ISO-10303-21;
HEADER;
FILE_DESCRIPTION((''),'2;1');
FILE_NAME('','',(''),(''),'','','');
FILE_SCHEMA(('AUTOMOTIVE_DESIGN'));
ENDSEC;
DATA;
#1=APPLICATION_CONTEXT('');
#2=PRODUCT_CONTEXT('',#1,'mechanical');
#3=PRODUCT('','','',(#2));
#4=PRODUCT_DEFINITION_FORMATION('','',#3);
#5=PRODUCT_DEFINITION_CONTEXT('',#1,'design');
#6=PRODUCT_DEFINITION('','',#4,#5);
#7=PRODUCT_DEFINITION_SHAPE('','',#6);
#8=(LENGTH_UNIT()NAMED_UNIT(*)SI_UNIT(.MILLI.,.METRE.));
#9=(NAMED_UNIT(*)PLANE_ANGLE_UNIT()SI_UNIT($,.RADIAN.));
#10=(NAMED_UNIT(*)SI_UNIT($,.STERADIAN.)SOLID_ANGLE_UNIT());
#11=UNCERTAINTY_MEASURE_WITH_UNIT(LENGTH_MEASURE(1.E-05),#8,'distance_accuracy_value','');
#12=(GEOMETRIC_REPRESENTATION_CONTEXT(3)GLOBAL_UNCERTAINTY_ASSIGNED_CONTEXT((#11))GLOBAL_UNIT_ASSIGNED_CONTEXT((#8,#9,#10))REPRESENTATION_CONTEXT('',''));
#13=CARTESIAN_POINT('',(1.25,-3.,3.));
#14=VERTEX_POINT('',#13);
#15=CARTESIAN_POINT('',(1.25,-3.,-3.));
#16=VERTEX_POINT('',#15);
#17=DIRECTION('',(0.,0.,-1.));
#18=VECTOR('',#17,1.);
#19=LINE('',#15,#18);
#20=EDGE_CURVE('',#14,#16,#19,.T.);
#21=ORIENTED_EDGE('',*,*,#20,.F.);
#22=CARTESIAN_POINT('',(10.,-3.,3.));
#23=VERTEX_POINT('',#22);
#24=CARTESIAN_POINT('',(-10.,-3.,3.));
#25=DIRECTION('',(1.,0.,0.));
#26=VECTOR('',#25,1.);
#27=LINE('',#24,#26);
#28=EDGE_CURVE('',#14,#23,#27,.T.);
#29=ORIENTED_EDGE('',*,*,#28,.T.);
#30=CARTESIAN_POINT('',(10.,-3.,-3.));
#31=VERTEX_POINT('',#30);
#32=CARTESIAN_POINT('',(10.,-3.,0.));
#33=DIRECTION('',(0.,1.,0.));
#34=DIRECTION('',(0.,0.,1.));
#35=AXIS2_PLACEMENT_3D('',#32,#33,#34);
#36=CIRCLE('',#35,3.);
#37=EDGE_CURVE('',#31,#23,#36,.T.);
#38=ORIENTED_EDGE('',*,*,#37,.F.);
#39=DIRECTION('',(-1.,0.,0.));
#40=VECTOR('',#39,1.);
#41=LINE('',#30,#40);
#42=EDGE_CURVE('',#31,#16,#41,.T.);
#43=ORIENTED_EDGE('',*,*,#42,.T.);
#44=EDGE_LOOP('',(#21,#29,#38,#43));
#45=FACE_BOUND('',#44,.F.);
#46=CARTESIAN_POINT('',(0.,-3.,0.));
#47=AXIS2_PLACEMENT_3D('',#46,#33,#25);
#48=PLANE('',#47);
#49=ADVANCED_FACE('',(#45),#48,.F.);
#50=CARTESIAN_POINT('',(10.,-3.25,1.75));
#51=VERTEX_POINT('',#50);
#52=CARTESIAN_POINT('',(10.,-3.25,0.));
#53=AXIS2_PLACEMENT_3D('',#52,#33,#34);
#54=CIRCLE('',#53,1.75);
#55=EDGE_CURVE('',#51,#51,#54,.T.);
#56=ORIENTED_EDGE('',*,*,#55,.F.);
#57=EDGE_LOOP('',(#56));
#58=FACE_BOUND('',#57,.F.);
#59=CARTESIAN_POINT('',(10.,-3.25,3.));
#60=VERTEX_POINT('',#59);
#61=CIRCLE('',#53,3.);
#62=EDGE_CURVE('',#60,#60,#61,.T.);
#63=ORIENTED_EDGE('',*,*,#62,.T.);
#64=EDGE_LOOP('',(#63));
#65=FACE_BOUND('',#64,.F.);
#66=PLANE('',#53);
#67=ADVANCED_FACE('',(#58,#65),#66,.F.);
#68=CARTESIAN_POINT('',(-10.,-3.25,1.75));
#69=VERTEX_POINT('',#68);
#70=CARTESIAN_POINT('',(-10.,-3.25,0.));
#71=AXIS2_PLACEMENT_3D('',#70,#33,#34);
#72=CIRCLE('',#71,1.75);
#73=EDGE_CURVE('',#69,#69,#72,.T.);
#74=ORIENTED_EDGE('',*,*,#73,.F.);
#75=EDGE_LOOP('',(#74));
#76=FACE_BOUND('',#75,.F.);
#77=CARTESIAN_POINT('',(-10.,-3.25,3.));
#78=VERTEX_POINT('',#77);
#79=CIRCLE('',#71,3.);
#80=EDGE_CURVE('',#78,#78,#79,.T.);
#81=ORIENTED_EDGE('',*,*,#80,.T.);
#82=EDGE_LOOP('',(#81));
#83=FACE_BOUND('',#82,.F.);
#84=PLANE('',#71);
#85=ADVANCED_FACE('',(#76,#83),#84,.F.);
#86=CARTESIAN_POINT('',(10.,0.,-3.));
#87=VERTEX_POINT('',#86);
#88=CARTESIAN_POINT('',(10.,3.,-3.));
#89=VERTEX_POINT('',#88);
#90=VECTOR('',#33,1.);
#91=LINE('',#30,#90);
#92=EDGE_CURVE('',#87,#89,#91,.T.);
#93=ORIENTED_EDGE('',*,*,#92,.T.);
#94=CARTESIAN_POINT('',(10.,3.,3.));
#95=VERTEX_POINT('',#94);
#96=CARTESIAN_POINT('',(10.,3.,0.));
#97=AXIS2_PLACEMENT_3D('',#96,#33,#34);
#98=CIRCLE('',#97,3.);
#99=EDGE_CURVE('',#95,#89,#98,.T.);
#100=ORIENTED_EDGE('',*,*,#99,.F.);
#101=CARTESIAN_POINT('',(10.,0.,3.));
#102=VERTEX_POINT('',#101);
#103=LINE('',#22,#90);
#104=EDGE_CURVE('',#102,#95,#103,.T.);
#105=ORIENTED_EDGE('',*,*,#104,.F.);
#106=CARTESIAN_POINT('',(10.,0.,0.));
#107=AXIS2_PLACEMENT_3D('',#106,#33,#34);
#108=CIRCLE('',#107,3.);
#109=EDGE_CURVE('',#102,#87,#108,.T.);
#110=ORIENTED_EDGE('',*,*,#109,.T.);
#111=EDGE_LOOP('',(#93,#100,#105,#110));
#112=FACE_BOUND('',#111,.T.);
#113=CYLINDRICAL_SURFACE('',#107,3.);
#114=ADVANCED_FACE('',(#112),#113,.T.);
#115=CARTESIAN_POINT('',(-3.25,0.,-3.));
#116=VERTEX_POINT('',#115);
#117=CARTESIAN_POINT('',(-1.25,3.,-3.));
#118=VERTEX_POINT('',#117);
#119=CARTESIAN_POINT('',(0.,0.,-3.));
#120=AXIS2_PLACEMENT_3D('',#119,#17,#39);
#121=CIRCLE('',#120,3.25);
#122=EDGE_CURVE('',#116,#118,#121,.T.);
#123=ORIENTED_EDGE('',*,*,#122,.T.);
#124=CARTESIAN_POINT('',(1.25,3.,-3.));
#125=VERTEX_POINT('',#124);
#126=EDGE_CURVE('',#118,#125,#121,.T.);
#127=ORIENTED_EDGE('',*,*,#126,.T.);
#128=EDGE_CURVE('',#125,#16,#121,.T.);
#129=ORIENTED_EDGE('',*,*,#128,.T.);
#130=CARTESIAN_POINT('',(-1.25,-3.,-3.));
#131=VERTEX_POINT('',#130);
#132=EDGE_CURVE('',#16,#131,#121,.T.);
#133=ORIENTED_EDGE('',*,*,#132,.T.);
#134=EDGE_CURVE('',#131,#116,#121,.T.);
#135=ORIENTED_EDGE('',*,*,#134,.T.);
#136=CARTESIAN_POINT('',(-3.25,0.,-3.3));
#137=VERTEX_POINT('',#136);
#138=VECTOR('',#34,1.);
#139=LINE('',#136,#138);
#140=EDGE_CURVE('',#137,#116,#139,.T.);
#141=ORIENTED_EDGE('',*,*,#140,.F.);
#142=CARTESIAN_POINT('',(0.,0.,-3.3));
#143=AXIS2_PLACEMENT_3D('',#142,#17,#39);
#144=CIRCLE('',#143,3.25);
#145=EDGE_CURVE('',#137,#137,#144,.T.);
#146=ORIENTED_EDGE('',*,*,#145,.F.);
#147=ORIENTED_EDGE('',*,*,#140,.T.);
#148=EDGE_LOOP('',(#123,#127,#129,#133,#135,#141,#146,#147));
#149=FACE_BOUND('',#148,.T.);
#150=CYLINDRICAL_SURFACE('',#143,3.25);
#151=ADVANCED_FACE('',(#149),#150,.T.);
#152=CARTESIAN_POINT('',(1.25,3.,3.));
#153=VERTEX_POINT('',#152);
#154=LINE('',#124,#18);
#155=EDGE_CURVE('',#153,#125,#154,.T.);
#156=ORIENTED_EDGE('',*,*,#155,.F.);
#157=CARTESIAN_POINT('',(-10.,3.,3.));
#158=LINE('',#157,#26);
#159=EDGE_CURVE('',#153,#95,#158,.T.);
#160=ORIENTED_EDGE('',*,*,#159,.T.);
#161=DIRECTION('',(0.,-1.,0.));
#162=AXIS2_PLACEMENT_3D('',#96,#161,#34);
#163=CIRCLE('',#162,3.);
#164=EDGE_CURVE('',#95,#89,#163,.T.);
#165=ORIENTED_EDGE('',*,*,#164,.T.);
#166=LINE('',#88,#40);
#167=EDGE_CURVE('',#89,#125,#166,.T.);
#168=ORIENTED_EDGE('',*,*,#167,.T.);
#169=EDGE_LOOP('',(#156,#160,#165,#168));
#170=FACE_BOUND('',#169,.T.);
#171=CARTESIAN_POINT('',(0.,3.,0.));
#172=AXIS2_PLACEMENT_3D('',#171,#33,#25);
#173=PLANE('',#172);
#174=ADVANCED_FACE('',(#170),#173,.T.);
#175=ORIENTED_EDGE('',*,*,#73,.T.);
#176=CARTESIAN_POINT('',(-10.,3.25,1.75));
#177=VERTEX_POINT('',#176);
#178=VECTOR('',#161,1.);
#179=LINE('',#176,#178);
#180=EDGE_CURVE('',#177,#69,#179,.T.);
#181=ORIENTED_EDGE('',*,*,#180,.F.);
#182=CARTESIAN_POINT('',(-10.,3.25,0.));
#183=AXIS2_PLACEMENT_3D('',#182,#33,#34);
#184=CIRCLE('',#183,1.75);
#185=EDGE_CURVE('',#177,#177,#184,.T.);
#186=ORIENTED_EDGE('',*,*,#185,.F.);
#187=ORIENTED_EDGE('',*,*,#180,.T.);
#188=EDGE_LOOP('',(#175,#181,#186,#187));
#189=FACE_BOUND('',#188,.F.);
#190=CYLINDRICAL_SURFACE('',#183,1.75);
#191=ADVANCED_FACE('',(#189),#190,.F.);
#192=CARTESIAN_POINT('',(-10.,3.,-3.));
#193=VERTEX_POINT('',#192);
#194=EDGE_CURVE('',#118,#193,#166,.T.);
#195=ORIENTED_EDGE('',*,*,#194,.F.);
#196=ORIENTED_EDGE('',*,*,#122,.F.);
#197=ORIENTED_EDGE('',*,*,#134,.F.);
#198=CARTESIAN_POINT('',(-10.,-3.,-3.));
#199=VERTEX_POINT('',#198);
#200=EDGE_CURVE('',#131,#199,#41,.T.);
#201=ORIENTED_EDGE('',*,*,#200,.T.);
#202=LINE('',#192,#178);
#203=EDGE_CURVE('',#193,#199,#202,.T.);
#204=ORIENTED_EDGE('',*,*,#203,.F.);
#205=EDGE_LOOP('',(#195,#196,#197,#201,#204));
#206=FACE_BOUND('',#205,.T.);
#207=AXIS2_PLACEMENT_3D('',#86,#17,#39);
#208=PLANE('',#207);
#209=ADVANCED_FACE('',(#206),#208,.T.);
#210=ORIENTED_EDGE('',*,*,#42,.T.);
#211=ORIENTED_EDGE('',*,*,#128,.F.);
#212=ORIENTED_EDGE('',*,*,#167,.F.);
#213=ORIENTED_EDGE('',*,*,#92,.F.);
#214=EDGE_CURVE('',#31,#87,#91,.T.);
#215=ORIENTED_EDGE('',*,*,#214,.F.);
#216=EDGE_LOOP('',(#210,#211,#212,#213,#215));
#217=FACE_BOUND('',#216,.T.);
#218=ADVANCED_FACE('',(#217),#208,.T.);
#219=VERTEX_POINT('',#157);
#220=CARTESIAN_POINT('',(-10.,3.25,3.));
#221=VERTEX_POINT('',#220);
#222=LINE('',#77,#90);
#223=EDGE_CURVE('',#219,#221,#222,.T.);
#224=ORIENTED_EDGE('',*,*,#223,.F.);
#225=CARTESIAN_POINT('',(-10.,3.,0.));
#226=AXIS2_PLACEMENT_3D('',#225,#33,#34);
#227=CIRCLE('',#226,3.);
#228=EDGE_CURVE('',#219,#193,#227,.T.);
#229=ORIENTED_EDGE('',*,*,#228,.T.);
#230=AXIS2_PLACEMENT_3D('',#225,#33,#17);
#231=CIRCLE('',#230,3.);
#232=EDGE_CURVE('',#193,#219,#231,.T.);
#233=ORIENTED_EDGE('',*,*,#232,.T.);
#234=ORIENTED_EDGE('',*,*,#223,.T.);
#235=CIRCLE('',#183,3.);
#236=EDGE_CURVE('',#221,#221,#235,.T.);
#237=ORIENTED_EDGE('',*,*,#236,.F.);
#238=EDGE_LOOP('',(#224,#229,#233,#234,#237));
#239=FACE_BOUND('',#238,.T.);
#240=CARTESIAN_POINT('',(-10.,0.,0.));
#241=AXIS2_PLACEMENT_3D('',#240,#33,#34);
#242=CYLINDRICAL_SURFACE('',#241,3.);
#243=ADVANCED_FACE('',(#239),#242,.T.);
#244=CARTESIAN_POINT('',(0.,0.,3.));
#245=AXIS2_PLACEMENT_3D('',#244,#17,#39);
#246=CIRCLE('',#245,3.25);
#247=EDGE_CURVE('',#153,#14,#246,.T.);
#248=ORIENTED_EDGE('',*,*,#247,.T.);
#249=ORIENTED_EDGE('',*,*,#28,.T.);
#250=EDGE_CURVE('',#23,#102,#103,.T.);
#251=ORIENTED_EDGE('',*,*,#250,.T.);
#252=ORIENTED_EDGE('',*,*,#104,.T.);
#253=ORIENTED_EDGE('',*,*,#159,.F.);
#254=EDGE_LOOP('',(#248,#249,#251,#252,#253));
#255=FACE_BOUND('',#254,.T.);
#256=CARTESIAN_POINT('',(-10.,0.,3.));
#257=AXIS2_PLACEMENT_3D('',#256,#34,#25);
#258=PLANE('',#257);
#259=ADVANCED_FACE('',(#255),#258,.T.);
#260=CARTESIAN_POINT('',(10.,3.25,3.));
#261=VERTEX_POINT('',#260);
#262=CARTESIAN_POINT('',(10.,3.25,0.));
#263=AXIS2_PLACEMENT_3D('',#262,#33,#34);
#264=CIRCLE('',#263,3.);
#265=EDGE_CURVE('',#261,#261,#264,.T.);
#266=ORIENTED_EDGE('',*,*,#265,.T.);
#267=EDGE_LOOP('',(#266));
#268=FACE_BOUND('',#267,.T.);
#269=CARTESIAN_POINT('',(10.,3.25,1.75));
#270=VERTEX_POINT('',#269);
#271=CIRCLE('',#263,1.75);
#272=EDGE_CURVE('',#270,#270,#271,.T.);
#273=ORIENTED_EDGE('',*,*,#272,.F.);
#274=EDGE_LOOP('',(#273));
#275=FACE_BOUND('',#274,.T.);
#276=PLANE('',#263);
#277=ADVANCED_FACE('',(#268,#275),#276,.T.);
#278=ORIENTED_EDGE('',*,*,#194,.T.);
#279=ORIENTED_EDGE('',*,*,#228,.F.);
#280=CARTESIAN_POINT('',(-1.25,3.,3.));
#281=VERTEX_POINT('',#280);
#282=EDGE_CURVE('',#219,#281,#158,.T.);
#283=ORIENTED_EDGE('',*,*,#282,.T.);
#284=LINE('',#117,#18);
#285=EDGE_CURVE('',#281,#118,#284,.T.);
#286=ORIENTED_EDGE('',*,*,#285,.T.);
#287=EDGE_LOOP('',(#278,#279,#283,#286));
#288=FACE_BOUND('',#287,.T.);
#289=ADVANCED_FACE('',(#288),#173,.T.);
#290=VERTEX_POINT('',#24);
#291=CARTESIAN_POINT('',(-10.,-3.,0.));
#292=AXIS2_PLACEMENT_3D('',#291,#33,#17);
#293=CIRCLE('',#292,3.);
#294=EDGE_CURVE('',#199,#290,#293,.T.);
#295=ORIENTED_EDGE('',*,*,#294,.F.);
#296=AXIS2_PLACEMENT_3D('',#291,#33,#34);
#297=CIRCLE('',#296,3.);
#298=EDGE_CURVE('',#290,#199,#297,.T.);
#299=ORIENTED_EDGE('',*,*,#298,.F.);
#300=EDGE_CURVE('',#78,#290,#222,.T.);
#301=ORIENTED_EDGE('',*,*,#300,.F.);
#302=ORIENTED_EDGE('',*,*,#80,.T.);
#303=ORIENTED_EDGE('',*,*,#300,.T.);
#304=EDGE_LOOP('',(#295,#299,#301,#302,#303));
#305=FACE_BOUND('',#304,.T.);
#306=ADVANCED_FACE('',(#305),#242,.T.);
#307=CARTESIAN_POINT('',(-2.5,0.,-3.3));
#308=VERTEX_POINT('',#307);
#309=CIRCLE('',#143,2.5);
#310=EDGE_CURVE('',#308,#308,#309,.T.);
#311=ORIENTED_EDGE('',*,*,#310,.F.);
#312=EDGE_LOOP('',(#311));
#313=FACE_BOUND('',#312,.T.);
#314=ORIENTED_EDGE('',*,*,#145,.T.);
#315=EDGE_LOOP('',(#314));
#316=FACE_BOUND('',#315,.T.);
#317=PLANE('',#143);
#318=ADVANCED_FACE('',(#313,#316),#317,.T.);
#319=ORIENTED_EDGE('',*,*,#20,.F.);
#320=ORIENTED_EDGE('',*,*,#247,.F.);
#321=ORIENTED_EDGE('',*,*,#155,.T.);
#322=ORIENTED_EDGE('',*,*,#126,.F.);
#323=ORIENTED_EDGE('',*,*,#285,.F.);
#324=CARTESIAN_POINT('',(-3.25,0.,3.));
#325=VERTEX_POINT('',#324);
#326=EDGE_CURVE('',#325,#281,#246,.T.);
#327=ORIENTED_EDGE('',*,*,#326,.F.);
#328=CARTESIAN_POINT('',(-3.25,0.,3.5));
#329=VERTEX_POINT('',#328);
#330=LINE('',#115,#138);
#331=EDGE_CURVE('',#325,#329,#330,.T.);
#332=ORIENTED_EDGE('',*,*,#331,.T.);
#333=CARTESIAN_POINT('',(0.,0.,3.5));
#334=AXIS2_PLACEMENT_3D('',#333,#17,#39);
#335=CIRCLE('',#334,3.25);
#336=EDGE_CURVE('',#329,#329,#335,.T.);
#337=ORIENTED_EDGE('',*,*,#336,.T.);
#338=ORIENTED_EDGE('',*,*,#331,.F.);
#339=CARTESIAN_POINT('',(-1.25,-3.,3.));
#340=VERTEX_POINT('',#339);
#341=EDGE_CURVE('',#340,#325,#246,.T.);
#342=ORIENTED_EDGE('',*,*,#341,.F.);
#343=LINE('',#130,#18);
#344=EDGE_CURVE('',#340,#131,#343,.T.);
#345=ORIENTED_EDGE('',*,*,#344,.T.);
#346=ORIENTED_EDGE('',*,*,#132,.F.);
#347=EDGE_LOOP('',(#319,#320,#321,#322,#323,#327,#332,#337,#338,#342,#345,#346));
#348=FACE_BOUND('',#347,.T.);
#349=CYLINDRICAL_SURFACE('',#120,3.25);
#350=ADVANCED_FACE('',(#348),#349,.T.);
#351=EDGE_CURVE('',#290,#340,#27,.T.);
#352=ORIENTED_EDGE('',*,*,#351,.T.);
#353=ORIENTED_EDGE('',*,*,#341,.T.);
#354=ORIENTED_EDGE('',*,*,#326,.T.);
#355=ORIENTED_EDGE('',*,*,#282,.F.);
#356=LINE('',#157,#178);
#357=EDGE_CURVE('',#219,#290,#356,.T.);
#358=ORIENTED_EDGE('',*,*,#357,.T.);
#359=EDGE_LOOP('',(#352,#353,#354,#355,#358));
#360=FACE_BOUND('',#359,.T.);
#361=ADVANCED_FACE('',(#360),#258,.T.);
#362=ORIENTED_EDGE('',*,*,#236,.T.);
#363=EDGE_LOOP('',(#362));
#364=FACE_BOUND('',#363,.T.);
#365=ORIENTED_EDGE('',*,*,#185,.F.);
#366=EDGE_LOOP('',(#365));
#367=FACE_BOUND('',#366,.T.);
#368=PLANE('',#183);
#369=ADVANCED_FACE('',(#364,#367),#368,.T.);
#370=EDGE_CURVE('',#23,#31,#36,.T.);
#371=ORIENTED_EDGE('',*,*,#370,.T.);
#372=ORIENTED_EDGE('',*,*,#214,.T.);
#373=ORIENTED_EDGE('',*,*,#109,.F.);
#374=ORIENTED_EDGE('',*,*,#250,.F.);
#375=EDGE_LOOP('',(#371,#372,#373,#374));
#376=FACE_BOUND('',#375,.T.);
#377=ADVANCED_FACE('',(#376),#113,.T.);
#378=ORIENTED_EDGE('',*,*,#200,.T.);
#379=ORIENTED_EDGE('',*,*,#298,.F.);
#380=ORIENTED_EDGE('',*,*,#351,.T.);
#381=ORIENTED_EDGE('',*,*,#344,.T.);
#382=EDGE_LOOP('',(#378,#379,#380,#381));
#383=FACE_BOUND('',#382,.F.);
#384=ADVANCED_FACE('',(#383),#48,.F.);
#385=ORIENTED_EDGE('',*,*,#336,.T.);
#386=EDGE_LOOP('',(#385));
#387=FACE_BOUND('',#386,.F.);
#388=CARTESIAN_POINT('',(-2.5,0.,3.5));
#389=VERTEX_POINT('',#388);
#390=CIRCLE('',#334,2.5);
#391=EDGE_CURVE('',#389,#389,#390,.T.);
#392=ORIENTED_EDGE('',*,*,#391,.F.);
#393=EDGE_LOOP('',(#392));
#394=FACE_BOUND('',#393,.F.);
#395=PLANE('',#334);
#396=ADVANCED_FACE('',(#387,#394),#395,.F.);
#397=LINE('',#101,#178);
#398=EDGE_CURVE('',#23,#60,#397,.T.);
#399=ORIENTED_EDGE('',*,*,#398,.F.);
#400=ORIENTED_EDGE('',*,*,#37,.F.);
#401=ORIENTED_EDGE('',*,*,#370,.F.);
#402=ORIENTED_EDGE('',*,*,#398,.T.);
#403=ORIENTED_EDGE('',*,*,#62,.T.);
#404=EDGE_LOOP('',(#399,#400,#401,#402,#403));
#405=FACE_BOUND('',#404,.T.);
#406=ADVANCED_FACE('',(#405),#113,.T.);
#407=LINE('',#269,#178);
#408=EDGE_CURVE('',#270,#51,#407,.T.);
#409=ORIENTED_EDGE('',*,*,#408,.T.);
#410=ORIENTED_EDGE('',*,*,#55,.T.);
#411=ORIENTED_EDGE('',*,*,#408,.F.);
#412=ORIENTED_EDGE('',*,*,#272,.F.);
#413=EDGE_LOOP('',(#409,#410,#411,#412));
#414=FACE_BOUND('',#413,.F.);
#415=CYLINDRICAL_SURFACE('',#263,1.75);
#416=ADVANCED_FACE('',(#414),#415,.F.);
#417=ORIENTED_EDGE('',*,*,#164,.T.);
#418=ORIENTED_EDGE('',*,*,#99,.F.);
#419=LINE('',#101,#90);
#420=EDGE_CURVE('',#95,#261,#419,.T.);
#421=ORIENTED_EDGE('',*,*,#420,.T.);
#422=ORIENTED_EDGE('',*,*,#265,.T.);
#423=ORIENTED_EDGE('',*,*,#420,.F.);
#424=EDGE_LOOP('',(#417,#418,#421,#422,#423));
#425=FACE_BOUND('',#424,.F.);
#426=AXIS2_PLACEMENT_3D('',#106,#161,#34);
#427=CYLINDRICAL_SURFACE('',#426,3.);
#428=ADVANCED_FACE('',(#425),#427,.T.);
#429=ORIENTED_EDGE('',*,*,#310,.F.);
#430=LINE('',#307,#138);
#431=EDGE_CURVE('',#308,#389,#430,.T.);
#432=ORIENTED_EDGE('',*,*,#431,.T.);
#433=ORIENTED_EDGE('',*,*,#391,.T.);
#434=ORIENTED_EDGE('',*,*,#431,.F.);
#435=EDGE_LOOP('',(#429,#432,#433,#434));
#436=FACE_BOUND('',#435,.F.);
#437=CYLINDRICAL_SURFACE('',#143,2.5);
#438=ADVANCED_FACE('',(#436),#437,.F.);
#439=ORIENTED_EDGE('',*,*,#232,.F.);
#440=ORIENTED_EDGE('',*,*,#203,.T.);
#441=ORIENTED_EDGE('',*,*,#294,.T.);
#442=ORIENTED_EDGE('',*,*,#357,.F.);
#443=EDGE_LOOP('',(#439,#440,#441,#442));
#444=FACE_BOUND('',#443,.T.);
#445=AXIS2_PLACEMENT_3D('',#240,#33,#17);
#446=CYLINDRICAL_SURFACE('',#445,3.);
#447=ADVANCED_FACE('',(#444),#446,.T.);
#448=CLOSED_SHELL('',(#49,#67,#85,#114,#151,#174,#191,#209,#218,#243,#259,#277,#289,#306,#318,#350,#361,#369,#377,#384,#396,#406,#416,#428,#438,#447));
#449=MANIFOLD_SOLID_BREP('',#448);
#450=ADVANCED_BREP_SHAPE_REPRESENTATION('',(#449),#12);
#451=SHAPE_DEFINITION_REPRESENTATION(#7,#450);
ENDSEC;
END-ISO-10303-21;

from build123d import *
from build123d.topology import SkipClean

# Parameters (mm, degrees)
EXTRUDE_1_DEPTH     = 3
SKETCH_2_R          = 3
EXTRUDE_2_DEPTH     = 3.25
SKETCH_3_R          = 1.75
CUT_EXTRUDE_3_DEPTH = 6.5
SKETCH_4_R          = 3.25
EXTRUDE_5_DEPTH     = 6.5
EXTRUDE_START       = 0.3
SKETCH_6_R          = 3.25
EXTRUDE_6_DEPTH     = 0.3
SKETCH_7_R          = 2.5
CUT_EXTRUDE_7_DEPTH = 16.02672619


with BuildPart() as part:
    # 草图1 → 拉伸1 (new, symmetric)
    with BuildSketch(Plane(origin=(0, 0, 0), x_dir=(1, 0, 0), z_dir=(0, 1, 0))):
        with BuildLine():
            Line((-10, -3), (10, -3))
            ThreePointArc((10, -3), (13, 0), (10, 3))
            Line((10, 3), (-10, 3))
            ThreePointArc((-10, 3), (-13, 0), (-10, -3))
        make_face()
    extrude(amount=EXTRUDE_1_DEPTH, both=True)

    # 草图2 → 拉伸2 (add, symmetric)
    with SkipClean():  # the faces are left unmerged after this step: merging them gives an invalid solid
        with BuildSketch(Plane(origin=(0, 0, 0), x_dir=(1, 0, 0), z_dir=(0, 1, 0))):
            with Locations(Location((10, 0, 0), (0, 0, 270))):
                Circle(SKETCH_2_R)
            with Locations(Location((-10, 0, 0), (0, 0, 270))):
                Circle(SKETCH_2_R)
        extrude(amount=EXTRUDE_2_DEPTH, both=True)

    # 草图3 → 拉伸3 (cut)
    with SkipClean():  # the faces are left unmerged after this step: merging them gives an invalid solid
        with BuildSketch(Plane(origin=(0, 3.25, 0), x_dir=(1, 0, 0), z_dir=(0, 1, 0))):
            with Locations(Location((-10, 0, 0), (0, 0, 270))):
                Circle(SKETCH_3_R)
            with Locations(Location((10, 0, 0), (0, 0, 270))):
                Circle(SKETCH_3_R)
        extrude(amount=-CUT_EXTRUDE_3_DEPTH, mode=Mode.SUBTRACT)

    # 草图4 → 拉伸5 (add)
    with SkipClean():  # the faces are left unmerged after this step: merging them gives an invalid solid
        with BuildSketch(Plane(origin=(0, 0, -3), x_dir=(-1, 0, 0), z_dir=(0, 0, -1))):
            Circle(SKETCH_4_R)
        extrude(amount=-EXTRUDE_5_DEPTH)

    # 草图6 → 拉伸6 (add)
    with SkipClean():  # the faces are left unmerged after this step: merging them gives an invalid solid
        with BuildSketch(Plane(origin=(0, 0, -3), x_dir=(-1, 0, 0), z_dir=(0, 0, -1)).offset(EXTRUDE_START)):
            Circle(SKETCH_6_R)
        extrude(amount=-EXTRUDE_6_DEPTH)

    # 草图7 → 拉伸7 (cut, through all)
    with SkipClean():  # the faces are left unmerged after this step: merging them gives an invalid solid
        with BuildSketch(Plane(origin=(0, 0, -3.3), x_dir=(-1, 0, 0), z_dir=(0, 0, -1))):
            Circle(SKETCH_7_R)
        extrude(amount=-CUT_EXTRUDE_7_DEPTH, mode=Mode.SUBTRACT)


solid = part.part
